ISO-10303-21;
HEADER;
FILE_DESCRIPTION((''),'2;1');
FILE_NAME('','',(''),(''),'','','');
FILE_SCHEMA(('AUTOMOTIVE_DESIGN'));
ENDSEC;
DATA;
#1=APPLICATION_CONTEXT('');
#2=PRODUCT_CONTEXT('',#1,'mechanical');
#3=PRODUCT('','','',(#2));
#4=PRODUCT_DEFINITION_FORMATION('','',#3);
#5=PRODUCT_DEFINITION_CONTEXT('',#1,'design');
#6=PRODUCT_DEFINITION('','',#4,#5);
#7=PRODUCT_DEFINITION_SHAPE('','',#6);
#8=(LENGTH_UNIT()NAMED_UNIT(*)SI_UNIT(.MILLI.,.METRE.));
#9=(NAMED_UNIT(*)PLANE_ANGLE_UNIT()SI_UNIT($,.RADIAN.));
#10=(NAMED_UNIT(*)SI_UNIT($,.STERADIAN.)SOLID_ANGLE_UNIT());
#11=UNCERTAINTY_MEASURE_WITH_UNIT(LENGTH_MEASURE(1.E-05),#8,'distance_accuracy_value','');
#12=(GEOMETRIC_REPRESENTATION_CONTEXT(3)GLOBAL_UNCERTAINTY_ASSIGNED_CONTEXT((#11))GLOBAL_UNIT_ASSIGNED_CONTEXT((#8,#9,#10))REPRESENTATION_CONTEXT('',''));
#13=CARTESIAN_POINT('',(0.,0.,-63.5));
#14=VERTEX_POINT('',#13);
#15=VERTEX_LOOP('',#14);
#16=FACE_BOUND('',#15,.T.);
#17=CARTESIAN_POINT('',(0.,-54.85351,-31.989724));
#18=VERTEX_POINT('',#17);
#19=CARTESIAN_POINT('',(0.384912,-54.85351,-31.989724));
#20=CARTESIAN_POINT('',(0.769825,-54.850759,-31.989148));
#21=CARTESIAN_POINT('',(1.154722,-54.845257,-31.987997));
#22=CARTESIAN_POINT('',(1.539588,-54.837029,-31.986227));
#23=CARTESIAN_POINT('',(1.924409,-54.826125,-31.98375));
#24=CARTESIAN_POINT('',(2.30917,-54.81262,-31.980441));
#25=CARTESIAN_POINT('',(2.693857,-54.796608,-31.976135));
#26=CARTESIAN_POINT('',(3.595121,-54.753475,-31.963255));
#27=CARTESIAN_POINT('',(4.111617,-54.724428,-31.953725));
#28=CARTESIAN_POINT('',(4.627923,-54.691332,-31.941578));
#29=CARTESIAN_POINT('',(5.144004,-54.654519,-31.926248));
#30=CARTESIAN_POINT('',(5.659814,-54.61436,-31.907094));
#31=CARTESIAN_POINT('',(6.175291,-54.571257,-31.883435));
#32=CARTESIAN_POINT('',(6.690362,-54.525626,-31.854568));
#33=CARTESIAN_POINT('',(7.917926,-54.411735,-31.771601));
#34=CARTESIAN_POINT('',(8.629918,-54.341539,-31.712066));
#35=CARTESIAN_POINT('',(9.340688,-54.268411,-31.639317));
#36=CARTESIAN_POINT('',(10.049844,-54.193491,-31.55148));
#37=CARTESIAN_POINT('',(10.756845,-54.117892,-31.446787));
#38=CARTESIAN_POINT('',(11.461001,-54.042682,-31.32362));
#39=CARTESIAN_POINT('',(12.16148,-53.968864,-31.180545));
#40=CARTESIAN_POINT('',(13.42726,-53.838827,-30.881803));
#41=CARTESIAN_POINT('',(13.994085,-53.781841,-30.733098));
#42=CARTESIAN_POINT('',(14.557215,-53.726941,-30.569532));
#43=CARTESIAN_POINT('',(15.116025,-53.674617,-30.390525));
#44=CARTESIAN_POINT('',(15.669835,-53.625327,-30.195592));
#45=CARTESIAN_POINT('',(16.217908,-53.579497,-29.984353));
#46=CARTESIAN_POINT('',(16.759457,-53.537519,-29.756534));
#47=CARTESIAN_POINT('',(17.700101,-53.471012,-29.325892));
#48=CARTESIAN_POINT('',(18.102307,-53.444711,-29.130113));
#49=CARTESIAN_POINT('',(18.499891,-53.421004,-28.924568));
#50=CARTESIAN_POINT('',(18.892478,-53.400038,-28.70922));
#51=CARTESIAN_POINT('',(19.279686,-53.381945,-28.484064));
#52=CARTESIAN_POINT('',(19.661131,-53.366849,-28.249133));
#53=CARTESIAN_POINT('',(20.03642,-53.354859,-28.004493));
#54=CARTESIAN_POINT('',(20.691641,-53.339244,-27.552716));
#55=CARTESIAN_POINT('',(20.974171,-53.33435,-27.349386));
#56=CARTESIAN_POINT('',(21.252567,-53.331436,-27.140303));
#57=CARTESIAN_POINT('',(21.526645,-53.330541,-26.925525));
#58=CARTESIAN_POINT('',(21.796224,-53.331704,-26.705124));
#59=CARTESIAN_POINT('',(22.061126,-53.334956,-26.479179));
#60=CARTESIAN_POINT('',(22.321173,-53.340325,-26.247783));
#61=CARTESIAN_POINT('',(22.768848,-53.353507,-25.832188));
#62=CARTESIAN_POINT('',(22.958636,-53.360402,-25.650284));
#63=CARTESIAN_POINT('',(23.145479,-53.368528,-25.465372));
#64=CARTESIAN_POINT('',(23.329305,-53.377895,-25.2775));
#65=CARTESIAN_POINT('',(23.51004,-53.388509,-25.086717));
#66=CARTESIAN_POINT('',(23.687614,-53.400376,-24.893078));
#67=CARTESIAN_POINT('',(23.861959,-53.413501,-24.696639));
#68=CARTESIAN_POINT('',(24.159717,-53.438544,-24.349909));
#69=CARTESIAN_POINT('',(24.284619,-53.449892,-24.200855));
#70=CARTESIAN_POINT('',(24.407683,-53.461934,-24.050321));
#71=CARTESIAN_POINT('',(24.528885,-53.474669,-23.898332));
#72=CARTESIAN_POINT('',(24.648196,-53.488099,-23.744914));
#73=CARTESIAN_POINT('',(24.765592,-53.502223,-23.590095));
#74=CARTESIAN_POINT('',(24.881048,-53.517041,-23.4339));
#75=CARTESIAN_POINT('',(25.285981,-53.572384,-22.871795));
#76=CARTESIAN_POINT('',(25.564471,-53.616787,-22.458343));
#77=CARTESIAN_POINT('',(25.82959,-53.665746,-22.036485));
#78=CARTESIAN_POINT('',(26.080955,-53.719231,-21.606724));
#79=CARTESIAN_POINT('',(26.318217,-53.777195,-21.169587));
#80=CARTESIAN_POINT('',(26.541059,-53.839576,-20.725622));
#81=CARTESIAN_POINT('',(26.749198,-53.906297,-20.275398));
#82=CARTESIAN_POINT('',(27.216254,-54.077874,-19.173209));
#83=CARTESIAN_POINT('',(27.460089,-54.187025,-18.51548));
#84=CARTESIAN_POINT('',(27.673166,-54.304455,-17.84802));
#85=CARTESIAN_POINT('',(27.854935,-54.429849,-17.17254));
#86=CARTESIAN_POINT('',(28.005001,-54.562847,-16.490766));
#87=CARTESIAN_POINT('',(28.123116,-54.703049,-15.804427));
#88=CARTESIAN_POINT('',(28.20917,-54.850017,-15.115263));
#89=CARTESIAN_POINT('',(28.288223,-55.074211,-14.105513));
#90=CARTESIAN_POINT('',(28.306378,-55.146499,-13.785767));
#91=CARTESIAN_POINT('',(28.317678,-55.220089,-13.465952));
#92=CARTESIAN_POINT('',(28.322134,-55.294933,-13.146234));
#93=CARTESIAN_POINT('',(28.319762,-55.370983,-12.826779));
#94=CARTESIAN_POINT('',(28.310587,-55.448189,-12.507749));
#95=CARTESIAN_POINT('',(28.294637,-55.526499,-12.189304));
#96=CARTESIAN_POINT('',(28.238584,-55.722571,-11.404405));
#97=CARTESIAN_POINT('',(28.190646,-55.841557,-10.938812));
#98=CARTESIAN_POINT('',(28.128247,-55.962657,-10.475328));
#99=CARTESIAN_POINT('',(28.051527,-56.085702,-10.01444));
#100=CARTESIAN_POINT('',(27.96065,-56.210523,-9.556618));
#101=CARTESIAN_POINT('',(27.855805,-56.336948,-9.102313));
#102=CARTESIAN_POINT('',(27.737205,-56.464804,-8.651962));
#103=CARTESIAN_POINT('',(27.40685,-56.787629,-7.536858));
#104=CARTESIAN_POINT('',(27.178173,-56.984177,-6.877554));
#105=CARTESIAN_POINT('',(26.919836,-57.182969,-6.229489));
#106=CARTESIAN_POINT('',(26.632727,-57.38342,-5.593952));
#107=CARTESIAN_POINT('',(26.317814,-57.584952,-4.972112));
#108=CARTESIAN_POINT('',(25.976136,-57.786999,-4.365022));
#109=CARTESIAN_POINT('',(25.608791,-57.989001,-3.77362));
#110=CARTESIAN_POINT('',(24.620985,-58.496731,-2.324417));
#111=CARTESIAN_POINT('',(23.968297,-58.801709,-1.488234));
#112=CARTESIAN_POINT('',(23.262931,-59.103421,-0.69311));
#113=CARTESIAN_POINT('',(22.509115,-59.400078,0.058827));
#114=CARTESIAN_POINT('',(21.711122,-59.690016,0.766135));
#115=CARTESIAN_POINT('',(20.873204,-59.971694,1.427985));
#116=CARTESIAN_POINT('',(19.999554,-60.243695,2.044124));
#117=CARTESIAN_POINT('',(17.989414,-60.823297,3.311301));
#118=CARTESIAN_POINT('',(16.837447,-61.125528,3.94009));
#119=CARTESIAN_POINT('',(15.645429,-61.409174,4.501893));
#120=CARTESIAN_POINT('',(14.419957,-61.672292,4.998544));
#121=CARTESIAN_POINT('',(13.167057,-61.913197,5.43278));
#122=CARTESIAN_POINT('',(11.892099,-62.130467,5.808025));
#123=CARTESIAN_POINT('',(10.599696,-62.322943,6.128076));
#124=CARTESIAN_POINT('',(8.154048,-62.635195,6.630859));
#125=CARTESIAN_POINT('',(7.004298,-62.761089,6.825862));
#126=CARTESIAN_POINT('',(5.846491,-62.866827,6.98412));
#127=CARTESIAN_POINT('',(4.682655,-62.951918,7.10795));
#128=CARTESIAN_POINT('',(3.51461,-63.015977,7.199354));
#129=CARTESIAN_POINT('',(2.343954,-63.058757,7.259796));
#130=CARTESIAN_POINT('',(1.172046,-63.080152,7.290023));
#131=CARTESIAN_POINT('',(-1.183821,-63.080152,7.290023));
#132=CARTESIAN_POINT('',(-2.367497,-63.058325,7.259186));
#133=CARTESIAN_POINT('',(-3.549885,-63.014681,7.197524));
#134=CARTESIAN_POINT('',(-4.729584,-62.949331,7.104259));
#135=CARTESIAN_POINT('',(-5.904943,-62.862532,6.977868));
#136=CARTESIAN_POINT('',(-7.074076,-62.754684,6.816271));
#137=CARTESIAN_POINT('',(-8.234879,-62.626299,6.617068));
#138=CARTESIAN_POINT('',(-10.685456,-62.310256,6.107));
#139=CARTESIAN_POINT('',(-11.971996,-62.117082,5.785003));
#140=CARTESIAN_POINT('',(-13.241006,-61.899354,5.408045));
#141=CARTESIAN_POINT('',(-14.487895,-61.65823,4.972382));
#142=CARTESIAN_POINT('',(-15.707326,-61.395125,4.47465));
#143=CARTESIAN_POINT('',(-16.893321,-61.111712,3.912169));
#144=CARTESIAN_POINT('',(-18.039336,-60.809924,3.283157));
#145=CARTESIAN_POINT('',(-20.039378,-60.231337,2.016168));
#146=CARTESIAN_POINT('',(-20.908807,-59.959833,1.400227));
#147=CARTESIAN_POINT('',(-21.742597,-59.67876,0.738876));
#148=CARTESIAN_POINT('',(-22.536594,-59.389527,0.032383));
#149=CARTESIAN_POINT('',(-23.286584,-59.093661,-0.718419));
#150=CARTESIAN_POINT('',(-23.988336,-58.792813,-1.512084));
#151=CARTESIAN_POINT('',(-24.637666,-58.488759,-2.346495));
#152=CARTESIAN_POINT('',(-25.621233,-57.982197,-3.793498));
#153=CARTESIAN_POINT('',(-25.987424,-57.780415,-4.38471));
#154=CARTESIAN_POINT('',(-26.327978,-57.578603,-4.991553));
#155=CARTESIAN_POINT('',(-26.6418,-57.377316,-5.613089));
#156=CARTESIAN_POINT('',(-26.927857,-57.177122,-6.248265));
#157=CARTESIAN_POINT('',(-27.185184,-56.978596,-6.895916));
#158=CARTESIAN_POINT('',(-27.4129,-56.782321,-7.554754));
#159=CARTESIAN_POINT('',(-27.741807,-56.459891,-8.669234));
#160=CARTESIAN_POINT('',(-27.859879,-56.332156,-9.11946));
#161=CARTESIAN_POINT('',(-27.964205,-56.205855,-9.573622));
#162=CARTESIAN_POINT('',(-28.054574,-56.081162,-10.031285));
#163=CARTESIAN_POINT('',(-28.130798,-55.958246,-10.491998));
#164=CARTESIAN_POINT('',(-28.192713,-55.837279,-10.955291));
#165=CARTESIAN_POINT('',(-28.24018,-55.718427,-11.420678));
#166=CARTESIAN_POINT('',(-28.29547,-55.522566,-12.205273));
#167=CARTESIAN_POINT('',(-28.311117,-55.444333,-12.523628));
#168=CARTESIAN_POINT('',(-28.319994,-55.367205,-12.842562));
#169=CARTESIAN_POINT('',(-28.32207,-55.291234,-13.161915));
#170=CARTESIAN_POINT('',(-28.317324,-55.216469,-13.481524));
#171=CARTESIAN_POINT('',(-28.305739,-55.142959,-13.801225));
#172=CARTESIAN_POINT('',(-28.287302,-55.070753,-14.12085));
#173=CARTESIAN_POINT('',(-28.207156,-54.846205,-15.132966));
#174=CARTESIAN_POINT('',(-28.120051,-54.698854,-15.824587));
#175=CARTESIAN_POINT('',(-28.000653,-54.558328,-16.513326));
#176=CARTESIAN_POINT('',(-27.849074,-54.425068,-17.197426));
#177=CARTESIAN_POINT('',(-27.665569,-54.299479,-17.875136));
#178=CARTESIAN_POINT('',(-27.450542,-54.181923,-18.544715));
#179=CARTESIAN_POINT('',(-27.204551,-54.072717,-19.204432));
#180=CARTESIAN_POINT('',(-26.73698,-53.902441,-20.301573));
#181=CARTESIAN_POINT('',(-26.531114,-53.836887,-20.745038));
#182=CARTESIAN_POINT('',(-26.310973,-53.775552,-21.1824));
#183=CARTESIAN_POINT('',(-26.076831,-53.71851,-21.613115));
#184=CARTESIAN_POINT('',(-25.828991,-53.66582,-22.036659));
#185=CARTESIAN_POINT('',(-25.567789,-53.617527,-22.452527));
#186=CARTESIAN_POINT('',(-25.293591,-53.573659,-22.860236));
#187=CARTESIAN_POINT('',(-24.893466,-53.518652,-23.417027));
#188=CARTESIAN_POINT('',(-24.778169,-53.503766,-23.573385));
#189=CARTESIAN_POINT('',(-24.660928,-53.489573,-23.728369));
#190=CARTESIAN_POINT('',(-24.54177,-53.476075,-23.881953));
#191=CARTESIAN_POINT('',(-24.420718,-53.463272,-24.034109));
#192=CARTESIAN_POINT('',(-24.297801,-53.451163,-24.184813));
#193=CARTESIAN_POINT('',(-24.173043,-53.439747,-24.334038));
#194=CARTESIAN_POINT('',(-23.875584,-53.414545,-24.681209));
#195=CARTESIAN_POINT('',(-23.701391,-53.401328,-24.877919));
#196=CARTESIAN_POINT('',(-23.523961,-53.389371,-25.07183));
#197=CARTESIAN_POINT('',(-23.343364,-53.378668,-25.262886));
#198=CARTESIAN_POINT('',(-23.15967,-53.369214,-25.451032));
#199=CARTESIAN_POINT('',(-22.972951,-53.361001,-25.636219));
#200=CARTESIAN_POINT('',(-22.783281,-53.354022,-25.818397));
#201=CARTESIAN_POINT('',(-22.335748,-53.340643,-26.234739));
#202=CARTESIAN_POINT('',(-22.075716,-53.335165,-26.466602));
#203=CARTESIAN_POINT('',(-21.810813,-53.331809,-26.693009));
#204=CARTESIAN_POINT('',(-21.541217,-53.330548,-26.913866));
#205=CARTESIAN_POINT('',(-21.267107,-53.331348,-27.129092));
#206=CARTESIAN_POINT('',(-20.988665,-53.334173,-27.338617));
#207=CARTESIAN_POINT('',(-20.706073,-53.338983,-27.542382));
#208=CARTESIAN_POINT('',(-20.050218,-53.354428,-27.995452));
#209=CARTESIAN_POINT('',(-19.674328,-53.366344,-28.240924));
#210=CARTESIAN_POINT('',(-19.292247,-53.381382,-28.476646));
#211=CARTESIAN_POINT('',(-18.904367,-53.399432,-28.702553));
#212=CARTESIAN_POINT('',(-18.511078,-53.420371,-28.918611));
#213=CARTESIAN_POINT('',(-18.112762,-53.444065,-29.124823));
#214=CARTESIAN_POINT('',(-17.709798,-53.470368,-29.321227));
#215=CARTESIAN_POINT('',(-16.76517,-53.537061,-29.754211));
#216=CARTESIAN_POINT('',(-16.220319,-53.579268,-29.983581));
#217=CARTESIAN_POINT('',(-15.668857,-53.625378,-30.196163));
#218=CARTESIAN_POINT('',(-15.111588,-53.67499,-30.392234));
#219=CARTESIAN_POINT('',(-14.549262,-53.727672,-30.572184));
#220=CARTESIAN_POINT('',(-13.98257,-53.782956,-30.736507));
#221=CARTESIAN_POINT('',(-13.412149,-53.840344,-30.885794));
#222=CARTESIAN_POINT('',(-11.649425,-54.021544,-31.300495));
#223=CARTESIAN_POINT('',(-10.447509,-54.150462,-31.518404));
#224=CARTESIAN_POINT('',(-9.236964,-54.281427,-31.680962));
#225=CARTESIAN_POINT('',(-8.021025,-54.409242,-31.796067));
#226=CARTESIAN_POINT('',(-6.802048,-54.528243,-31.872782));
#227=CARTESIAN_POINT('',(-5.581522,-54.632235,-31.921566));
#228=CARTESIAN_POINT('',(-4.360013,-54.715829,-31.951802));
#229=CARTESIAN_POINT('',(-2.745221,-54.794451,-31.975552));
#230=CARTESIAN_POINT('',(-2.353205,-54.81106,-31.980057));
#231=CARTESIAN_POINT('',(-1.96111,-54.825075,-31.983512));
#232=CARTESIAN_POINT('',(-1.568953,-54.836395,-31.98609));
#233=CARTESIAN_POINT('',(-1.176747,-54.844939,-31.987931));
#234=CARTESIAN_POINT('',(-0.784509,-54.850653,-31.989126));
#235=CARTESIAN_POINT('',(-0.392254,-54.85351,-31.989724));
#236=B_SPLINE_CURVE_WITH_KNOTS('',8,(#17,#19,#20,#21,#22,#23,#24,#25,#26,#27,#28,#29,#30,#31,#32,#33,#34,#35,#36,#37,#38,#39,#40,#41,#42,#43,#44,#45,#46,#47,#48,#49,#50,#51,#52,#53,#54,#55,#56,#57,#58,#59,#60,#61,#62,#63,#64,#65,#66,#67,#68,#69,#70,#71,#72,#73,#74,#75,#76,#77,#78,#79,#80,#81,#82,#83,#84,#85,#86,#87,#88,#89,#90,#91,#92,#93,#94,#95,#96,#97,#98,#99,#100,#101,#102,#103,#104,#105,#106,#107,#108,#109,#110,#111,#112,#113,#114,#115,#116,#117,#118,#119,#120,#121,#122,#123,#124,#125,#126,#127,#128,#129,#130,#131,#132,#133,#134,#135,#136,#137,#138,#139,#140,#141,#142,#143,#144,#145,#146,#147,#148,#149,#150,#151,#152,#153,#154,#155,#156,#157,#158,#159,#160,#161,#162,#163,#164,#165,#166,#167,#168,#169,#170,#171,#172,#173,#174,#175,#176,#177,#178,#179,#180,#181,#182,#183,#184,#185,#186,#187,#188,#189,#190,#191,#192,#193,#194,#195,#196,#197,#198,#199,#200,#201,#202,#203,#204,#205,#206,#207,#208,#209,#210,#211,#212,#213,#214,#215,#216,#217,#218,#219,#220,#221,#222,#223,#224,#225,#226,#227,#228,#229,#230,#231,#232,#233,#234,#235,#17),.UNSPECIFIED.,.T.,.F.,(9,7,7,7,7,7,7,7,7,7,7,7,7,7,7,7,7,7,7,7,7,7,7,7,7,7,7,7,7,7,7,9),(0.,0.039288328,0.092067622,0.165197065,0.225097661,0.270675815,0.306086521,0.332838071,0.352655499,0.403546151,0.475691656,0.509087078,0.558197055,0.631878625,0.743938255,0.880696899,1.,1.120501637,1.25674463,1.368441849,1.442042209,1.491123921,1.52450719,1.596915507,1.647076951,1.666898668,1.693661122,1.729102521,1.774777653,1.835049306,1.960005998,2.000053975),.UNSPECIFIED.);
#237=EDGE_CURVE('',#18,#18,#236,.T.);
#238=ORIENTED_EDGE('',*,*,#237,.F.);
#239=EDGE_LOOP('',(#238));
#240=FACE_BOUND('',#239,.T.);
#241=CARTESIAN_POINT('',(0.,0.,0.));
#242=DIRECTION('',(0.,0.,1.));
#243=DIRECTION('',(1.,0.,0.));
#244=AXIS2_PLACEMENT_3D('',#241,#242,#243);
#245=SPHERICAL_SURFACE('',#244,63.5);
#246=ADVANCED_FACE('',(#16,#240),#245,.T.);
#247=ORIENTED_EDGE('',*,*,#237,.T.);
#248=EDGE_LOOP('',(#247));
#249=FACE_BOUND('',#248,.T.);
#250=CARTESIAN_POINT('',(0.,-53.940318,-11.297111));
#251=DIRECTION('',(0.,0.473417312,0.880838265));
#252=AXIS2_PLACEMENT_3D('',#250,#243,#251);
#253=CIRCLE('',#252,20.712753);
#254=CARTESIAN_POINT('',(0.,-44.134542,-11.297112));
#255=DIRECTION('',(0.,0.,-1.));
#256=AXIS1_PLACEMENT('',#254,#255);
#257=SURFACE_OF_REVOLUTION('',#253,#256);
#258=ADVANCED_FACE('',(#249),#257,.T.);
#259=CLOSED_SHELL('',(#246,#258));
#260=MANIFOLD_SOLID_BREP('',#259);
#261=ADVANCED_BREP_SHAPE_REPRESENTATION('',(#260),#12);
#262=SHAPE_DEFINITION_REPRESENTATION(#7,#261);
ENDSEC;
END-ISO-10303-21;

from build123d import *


with BuildPart() as f1:
    # F0 (on Front) → F1 (revolve)
    with BuildSketch(Plane.XZ):
        with BuildLine():
            Line((0, 63.5), (0, -63.5))
            ThreePointArc((0, -63.5), (63.5, 0), (0, 63.5))
        make_face()
    revolve(axis=Axis((0, 0, 48.222952), (0, 0, 1)))

    # F2 (on Right) → F3 (revolve)
    with BuildSketch(Plane.YZ):
        with BuildLine():
            Line((-44.134542, -29.541697), (-44.134542, 6.947474))
            ThreePointArc((-44.134542, 6.947474), (-74.653071, -11.297112), (-44.134542, -29.541697))
        make_face()
    revolve(axis=Axis((0, -44.134542, -11.297112), (0, 0, -1)))


solid = f1.part
